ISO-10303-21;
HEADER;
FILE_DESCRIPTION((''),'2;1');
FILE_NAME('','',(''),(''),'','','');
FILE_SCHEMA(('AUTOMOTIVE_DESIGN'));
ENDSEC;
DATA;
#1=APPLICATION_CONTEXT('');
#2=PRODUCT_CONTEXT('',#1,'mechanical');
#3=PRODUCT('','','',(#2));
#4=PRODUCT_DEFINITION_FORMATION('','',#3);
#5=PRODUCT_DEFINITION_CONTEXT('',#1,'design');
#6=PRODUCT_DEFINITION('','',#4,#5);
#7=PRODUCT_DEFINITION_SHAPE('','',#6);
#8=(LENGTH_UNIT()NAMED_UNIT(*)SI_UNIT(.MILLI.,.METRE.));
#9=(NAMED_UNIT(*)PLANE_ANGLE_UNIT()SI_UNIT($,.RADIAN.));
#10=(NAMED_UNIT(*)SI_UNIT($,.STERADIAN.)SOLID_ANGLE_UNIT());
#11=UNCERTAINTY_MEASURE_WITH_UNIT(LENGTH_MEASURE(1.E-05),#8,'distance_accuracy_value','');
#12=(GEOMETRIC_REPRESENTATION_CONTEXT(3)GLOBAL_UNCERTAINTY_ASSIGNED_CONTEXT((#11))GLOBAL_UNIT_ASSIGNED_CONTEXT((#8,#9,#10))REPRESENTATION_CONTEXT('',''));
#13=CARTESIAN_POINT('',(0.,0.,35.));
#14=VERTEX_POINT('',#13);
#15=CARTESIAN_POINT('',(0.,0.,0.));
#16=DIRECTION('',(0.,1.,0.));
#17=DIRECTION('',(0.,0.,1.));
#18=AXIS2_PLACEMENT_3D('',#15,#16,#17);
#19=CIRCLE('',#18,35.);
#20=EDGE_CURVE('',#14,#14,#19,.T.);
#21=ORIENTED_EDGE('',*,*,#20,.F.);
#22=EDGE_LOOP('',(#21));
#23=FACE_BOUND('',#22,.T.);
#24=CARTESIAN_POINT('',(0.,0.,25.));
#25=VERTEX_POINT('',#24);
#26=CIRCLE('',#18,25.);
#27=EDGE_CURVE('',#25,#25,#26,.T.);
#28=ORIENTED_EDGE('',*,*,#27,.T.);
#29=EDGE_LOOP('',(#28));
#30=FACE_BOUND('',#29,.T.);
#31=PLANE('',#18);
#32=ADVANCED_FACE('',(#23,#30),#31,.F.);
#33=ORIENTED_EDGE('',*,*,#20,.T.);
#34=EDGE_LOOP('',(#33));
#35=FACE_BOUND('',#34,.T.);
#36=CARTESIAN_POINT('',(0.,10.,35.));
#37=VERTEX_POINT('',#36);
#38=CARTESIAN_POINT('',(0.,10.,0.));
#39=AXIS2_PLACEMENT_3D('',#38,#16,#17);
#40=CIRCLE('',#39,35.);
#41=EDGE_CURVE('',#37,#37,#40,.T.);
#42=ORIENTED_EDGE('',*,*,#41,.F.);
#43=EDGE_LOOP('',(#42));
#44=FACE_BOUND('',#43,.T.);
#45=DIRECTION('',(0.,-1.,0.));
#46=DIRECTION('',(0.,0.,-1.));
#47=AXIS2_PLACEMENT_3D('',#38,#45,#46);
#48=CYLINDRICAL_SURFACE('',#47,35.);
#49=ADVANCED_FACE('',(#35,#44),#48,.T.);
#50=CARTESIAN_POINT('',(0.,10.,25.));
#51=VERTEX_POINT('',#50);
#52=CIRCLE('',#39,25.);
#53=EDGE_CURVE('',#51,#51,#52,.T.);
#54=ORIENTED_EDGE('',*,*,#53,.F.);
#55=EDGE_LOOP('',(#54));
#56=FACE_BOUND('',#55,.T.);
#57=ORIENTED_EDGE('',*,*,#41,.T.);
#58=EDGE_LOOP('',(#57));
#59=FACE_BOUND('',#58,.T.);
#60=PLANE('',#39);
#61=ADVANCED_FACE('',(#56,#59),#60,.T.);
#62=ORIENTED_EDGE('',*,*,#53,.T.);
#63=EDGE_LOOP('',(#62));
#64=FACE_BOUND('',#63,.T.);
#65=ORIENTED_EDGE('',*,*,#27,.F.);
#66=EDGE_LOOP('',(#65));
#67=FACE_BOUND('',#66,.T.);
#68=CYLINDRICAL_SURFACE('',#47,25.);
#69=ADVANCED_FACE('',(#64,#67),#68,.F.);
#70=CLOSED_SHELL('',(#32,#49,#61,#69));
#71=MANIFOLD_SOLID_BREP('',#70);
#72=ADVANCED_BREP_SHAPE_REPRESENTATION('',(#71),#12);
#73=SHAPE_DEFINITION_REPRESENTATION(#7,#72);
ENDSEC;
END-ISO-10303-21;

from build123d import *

# Parameters (mm, degrees)
CROQUIS1_R              = 35
CROQUIS1_R_2            = 25
SALIENTE_EXTRUIR1_DEPTH = 10


with BuildPart() as part:
    # Croquis1 → Saliente-Extruir1 (new body)
    with BuildSketch(Plane(origin=(0, 0, 0), x_dir=(1, 0, 0), z_dir=(0, 1, 0))):
        Circle(CROQUIS1_R)
        Circle(CROQUIS1_R_2, mode=Mode.SUBTRACT)
    extrude(amount=SALIENTE_EXTRUIR1_DEPTH)


solid = part.part
